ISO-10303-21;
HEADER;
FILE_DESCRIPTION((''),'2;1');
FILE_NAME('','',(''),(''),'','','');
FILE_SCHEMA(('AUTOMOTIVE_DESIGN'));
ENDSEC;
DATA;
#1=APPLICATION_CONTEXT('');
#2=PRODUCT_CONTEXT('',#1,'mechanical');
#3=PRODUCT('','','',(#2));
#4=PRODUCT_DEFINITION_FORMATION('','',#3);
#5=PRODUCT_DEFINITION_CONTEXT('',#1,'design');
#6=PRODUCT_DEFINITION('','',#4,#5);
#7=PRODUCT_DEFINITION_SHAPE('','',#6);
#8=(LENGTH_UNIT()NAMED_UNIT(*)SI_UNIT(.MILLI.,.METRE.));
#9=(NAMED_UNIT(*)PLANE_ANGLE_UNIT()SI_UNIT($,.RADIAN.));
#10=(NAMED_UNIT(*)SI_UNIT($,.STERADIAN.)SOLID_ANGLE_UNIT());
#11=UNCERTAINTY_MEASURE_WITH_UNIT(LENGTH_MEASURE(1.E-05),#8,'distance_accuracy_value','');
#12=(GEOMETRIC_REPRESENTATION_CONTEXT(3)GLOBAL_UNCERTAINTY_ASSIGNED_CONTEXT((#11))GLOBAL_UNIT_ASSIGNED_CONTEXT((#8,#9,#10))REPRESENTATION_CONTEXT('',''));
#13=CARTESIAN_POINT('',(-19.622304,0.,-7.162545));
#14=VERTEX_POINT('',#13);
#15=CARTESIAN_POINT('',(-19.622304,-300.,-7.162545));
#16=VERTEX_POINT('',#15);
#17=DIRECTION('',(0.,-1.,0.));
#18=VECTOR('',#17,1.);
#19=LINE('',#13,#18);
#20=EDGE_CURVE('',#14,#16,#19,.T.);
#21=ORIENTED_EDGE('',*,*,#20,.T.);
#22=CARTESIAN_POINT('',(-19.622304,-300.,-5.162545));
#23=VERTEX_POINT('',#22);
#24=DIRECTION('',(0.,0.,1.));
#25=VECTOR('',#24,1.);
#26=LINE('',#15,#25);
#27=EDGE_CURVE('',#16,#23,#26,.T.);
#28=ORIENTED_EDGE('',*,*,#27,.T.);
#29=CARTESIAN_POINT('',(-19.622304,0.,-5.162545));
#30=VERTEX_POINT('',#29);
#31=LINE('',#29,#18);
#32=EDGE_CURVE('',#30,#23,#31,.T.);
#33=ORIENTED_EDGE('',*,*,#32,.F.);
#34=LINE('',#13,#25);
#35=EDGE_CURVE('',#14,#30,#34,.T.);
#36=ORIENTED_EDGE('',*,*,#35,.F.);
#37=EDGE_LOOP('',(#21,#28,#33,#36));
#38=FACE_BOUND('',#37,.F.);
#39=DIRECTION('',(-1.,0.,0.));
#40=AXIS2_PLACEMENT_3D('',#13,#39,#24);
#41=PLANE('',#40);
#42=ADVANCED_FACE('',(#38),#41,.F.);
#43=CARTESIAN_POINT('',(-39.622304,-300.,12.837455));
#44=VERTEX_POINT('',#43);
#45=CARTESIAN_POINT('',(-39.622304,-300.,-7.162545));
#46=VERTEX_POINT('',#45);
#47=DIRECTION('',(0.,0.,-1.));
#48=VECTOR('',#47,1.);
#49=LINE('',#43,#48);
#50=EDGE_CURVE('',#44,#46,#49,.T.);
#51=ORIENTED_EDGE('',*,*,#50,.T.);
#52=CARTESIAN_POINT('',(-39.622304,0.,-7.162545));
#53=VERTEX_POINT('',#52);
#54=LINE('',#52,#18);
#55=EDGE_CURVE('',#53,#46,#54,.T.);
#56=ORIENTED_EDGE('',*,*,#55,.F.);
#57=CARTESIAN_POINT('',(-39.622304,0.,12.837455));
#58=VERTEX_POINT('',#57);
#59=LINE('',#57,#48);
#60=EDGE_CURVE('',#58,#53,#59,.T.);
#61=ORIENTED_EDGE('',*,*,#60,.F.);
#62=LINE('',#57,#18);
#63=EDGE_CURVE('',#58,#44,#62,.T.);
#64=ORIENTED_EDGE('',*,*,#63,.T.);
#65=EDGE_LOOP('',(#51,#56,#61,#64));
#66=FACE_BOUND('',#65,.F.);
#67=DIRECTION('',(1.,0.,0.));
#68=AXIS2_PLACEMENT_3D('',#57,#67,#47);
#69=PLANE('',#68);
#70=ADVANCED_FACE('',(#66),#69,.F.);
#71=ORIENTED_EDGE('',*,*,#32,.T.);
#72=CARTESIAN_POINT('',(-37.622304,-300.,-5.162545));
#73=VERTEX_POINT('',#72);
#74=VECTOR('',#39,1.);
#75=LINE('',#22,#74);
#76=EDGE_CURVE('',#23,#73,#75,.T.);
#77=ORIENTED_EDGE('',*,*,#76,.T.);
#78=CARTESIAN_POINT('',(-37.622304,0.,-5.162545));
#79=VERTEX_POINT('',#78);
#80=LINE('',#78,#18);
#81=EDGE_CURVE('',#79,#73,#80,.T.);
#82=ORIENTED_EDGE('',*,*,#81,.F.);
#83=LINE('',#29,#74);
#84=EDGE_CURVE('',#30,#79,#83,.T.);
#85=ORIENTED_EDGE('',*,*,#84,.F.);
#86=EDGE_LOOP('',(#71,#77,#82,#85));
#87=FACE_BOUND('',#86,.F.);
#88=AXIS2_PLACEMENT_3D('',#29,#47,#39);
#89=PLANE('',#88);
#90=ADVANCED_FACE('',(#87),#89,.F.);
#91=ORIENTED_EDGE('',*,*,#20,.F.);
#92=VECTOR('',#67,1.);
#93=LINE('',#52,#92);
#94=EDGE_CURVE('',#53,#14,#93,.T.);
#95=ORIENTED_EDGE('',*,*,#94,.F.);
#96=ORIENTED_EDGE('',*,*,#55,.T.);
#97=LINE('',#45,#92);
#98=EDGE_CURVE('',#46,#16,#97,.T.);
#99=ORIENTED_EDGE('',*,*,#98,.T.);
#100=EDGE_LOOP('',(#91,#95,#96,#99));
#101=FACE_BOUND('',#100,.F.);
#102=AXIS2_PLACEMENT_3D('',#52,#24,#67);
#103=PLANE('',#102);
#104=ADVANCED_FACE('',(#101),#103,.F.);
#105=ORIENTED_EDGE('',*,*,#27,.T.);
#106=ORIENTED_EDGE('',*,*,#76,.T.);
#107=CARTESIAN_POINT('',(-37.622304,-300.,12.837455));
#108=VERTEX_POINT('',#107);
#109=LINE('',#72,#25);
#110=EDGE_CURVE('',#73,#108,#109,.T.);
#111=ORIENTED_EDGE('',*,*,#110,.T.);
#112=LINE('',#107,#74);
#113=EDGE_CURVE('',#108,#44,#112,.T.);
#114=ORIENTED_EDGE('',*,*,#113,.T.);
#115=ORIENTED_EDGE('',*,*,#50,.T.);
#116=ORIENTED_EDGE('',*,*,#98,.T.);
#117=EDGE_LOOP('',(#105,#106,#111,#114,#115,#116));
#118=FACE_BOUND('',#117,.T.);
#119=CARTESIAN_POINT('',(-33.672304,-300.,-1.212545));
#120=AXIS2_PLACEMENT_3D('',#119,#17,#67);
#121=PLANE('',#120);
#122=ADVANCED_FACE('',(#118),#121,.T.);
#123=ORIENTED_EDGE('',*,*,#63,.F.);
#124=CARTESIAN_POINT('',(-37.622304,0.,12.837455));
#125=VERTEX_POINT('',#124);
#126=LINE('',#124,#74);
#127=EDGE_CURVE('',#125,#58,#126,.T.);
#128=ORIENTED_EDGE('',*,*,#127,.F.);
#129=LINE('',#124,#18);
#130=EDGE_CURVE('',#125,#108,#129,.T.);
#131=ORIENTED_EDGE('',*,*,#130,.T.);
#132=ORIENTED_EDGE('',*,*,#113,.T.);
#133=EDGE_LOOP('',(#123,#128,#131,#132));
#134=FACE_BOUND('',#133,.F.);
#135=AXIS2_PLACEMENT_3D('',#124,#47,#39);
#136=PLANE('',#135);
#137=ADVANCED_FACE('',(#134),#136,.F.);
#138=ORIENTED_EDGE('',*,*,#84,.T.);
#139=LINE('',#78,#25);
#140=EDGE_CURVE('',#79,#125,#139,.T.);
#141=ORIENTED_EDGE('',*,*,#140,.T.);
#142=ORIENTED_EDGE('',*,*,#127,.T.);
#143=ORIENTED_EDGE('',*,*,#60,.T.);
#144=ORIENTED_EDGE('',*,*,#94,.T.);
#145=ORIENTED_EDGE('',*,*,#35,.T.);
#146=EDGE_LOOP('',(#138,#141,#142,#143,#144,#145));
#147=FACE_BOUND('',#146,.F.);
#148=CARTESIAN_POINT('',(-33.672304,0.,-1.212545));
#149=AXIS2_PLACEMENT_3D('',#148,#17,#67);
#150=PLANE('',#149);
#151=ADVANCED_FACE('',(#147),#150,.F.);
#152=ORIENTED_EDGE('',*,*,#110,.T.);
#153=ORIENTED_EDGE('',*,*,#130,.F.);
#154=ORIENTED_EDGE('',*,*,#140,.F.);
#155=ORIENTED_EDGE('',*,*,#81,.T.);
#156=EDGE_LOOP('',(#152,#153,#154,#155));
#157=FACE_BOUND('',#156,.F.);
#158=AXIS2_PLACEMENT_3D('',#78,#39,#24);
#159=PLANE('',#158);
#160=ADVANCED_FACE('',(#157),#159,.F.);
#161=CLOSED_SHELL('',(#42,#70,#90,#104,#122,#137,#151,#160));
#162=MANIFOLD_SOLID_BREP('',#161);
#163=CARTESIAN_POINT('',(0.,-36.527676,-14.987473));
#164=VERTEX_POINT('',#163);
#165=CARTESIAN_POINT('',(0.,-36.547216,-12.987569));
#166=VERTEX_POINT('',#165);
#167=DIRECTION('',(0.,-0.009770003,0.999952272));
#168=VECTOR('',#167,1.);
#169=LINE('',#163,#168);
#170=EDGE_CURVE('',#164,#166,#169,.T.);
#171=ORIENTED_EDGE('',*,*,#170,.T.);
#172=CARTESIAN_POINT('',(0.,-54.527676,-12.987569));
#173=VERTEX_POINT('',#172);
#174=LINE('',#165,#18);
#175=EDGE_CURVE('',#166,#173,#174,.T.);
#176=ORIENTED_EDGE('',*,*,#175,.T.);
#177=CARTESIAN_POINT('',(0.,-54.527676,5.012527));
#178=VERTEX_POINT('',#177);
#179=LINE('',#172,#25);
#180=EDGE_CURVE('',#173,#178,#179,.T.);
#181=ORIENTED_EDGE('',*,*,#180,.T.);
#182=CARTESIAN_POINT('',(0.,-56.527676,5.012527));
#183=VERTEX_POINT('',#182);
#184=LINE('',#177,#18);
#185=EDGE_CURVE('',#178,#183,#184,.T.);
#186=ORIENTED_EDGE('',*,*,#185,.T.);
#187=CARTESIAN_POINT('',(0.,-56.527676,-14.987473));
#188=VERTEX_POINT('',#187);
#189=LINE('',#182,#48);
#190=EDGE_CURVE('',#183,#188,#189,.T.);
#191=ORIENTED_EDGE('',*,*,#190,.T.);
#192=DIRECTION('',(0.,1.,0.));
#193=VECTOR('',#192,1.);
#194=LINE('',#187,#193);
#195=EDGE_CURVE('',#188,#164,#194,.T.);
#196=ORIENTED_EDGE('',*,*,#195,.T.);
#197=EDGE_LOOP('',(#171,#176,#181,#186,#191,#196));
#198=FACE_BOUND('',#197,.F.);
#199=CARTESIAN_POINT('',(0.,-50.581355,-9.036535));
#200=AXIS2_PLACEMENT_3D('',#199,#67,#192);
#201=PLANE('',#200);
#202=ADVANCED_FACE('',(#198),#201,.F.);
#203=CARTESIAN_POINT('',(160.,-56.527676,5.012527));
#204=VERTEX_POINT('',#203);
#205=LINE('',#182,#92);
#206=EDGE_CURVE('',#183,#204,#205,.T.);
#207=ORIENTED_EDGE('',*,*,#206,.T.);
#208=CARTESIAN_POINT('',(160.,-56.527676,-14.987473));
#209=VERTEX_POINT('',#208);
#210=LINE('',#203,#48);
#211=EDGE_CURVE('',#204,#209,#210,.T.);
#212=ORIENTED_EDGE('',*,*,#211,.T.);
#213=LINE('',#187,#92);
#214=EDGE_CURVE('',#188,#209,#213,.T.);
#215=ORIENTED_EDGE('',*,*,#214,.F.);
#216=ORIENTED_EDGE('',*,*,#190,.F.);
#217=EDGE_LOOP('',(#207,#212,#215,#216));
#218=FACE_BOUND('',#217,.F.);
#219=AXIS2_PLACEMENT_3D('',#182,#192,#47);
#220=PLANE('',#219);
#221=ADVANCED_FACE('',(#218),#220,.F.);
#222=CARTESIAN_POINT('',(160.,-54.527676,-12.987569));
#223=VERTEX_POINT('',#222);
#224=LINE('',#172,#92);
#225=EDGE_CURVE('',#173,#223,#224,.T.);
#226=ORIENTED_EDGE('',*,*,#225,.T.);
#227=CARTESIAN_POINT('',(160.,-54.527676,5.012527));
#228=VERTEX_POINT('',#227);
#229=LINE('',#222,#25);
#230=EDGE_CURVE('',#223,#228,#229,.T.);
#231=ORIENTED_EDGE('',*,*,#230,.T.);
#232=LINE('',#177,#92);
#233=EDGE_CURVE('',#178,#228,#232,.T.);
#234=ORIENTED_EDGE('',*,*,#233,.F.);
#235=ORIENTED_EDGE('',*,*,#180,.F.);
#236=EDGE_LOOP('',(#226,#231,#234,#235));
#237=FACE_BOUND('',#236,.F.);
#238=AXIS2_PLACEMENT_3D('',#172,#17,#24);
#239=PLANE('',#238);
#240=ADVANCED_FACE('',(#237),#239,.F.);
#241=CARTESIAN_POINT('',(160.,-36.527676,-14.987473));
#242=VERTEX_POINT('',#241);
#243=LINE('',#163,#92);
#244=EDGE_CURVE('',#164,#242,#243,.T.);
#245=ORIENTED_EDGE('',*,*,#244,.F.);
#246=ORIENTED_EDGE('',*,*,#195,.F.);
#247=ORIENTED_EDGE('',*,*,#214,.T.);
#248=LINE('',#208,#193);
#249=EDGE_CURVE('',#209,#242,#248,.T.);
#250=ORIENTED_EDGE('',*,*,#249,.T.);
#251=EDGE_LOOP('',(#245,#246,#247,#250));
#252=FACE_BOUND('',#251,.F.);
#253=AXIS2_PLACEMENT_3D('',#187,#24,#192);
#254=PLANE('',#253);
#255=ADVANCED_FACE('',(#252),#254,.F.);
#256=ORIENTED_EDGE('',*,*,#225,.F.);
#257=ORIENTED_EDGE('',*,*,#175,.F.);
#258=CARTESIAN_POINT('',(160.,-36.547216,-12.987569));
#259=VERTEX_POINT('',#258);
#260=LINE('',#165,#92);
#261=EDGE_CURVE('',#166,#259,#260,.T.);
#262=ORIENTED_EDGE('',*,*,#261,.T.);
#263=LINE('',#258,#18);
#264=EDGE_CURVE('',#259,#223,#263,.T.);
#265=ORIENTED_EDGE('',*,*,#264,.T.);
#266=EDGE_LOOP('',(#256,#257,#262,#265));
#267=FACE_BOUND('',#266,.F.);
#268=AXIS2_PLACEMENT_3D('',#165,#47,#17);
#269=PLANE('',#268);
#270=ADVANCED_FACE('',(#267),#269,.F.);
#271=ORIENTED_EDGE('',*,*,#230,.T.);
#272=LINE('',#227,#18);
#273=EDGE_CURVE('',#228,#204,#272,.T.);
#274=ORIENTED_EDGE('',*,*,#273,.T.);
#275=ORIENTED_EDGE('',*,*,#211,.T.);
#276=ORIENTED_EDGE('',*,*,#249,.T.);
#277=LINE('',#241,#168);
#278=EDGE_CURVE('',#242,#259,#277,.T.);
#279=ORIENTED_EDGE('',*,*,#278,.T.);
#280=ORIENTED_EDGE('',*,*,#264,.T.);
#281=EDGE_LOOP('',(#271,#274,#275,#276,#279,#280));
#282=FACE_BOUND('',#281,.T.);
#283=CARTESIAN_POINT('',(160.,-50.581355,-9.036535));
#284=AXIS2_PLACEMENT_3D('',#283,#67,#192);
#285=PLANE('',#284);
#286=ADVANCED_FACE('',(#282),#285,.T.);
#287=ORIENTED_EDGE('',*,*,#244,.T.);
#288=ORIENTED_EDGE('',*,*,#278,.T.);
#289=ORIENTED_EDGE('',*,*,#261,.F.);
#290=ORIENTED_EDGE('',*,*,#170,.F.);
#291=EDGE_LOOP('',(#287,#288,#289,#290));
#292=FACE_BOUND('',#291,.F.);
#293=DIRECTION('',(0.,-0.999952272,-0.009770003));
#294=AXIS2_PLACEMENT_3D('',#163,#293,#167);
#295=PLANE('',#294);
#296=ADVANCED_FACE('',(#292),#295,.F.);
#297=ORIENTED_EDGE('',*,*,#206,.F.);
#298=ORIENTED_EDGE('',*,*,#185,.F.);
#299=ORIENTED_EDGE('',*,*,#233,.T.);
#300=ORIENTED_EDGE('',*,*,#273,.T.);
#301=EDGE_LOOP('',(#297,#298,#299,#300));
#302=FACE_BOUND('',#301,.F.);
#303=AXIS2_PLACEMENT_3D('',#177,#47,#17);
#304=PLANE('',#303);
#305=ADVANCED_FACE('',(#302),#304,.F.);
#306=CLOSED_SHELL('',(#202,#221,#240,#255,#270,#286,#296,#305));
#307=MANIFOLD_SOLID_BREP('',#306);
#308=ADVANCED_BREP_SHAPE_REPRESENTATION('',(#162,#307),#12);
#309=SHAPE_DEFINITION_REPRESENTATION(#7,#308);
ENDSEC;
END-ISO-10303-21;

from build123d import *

# Parameters (mm, degrees)
F1_DEPTH = 300
F3_DEPTH = 160


with BuildPart() as f1:
    # F0 (on Front) → F1 (new body)
    with BuildSketch(Plane.XZ):
        Polygon((-37.622304, 12.837455), (-39.622304, 12.837455), (-39.622304, -7.162545), (-19.622304, -7.162545), (-19.622304, -5.162545), (-37.622304, -5.162545), align=None)
    extrude(amount=F1_DEPTH)


with BuildPart() as f3:
    # F2 (on Right) → F3 (new body)
    with BuildSketch(Plane.YZ):
        Polygon((-36.527676, -14.987473), (-36.547216, -12.987569), (-54.527676, -12.987569), (-54.527676, 5.012527), (-56.527676, 5.012527), (-56.527676, -14.987473), align=None)
    extrude(amount=F3_DEPTH)


solid = Compound([f1.part, f3.part])
